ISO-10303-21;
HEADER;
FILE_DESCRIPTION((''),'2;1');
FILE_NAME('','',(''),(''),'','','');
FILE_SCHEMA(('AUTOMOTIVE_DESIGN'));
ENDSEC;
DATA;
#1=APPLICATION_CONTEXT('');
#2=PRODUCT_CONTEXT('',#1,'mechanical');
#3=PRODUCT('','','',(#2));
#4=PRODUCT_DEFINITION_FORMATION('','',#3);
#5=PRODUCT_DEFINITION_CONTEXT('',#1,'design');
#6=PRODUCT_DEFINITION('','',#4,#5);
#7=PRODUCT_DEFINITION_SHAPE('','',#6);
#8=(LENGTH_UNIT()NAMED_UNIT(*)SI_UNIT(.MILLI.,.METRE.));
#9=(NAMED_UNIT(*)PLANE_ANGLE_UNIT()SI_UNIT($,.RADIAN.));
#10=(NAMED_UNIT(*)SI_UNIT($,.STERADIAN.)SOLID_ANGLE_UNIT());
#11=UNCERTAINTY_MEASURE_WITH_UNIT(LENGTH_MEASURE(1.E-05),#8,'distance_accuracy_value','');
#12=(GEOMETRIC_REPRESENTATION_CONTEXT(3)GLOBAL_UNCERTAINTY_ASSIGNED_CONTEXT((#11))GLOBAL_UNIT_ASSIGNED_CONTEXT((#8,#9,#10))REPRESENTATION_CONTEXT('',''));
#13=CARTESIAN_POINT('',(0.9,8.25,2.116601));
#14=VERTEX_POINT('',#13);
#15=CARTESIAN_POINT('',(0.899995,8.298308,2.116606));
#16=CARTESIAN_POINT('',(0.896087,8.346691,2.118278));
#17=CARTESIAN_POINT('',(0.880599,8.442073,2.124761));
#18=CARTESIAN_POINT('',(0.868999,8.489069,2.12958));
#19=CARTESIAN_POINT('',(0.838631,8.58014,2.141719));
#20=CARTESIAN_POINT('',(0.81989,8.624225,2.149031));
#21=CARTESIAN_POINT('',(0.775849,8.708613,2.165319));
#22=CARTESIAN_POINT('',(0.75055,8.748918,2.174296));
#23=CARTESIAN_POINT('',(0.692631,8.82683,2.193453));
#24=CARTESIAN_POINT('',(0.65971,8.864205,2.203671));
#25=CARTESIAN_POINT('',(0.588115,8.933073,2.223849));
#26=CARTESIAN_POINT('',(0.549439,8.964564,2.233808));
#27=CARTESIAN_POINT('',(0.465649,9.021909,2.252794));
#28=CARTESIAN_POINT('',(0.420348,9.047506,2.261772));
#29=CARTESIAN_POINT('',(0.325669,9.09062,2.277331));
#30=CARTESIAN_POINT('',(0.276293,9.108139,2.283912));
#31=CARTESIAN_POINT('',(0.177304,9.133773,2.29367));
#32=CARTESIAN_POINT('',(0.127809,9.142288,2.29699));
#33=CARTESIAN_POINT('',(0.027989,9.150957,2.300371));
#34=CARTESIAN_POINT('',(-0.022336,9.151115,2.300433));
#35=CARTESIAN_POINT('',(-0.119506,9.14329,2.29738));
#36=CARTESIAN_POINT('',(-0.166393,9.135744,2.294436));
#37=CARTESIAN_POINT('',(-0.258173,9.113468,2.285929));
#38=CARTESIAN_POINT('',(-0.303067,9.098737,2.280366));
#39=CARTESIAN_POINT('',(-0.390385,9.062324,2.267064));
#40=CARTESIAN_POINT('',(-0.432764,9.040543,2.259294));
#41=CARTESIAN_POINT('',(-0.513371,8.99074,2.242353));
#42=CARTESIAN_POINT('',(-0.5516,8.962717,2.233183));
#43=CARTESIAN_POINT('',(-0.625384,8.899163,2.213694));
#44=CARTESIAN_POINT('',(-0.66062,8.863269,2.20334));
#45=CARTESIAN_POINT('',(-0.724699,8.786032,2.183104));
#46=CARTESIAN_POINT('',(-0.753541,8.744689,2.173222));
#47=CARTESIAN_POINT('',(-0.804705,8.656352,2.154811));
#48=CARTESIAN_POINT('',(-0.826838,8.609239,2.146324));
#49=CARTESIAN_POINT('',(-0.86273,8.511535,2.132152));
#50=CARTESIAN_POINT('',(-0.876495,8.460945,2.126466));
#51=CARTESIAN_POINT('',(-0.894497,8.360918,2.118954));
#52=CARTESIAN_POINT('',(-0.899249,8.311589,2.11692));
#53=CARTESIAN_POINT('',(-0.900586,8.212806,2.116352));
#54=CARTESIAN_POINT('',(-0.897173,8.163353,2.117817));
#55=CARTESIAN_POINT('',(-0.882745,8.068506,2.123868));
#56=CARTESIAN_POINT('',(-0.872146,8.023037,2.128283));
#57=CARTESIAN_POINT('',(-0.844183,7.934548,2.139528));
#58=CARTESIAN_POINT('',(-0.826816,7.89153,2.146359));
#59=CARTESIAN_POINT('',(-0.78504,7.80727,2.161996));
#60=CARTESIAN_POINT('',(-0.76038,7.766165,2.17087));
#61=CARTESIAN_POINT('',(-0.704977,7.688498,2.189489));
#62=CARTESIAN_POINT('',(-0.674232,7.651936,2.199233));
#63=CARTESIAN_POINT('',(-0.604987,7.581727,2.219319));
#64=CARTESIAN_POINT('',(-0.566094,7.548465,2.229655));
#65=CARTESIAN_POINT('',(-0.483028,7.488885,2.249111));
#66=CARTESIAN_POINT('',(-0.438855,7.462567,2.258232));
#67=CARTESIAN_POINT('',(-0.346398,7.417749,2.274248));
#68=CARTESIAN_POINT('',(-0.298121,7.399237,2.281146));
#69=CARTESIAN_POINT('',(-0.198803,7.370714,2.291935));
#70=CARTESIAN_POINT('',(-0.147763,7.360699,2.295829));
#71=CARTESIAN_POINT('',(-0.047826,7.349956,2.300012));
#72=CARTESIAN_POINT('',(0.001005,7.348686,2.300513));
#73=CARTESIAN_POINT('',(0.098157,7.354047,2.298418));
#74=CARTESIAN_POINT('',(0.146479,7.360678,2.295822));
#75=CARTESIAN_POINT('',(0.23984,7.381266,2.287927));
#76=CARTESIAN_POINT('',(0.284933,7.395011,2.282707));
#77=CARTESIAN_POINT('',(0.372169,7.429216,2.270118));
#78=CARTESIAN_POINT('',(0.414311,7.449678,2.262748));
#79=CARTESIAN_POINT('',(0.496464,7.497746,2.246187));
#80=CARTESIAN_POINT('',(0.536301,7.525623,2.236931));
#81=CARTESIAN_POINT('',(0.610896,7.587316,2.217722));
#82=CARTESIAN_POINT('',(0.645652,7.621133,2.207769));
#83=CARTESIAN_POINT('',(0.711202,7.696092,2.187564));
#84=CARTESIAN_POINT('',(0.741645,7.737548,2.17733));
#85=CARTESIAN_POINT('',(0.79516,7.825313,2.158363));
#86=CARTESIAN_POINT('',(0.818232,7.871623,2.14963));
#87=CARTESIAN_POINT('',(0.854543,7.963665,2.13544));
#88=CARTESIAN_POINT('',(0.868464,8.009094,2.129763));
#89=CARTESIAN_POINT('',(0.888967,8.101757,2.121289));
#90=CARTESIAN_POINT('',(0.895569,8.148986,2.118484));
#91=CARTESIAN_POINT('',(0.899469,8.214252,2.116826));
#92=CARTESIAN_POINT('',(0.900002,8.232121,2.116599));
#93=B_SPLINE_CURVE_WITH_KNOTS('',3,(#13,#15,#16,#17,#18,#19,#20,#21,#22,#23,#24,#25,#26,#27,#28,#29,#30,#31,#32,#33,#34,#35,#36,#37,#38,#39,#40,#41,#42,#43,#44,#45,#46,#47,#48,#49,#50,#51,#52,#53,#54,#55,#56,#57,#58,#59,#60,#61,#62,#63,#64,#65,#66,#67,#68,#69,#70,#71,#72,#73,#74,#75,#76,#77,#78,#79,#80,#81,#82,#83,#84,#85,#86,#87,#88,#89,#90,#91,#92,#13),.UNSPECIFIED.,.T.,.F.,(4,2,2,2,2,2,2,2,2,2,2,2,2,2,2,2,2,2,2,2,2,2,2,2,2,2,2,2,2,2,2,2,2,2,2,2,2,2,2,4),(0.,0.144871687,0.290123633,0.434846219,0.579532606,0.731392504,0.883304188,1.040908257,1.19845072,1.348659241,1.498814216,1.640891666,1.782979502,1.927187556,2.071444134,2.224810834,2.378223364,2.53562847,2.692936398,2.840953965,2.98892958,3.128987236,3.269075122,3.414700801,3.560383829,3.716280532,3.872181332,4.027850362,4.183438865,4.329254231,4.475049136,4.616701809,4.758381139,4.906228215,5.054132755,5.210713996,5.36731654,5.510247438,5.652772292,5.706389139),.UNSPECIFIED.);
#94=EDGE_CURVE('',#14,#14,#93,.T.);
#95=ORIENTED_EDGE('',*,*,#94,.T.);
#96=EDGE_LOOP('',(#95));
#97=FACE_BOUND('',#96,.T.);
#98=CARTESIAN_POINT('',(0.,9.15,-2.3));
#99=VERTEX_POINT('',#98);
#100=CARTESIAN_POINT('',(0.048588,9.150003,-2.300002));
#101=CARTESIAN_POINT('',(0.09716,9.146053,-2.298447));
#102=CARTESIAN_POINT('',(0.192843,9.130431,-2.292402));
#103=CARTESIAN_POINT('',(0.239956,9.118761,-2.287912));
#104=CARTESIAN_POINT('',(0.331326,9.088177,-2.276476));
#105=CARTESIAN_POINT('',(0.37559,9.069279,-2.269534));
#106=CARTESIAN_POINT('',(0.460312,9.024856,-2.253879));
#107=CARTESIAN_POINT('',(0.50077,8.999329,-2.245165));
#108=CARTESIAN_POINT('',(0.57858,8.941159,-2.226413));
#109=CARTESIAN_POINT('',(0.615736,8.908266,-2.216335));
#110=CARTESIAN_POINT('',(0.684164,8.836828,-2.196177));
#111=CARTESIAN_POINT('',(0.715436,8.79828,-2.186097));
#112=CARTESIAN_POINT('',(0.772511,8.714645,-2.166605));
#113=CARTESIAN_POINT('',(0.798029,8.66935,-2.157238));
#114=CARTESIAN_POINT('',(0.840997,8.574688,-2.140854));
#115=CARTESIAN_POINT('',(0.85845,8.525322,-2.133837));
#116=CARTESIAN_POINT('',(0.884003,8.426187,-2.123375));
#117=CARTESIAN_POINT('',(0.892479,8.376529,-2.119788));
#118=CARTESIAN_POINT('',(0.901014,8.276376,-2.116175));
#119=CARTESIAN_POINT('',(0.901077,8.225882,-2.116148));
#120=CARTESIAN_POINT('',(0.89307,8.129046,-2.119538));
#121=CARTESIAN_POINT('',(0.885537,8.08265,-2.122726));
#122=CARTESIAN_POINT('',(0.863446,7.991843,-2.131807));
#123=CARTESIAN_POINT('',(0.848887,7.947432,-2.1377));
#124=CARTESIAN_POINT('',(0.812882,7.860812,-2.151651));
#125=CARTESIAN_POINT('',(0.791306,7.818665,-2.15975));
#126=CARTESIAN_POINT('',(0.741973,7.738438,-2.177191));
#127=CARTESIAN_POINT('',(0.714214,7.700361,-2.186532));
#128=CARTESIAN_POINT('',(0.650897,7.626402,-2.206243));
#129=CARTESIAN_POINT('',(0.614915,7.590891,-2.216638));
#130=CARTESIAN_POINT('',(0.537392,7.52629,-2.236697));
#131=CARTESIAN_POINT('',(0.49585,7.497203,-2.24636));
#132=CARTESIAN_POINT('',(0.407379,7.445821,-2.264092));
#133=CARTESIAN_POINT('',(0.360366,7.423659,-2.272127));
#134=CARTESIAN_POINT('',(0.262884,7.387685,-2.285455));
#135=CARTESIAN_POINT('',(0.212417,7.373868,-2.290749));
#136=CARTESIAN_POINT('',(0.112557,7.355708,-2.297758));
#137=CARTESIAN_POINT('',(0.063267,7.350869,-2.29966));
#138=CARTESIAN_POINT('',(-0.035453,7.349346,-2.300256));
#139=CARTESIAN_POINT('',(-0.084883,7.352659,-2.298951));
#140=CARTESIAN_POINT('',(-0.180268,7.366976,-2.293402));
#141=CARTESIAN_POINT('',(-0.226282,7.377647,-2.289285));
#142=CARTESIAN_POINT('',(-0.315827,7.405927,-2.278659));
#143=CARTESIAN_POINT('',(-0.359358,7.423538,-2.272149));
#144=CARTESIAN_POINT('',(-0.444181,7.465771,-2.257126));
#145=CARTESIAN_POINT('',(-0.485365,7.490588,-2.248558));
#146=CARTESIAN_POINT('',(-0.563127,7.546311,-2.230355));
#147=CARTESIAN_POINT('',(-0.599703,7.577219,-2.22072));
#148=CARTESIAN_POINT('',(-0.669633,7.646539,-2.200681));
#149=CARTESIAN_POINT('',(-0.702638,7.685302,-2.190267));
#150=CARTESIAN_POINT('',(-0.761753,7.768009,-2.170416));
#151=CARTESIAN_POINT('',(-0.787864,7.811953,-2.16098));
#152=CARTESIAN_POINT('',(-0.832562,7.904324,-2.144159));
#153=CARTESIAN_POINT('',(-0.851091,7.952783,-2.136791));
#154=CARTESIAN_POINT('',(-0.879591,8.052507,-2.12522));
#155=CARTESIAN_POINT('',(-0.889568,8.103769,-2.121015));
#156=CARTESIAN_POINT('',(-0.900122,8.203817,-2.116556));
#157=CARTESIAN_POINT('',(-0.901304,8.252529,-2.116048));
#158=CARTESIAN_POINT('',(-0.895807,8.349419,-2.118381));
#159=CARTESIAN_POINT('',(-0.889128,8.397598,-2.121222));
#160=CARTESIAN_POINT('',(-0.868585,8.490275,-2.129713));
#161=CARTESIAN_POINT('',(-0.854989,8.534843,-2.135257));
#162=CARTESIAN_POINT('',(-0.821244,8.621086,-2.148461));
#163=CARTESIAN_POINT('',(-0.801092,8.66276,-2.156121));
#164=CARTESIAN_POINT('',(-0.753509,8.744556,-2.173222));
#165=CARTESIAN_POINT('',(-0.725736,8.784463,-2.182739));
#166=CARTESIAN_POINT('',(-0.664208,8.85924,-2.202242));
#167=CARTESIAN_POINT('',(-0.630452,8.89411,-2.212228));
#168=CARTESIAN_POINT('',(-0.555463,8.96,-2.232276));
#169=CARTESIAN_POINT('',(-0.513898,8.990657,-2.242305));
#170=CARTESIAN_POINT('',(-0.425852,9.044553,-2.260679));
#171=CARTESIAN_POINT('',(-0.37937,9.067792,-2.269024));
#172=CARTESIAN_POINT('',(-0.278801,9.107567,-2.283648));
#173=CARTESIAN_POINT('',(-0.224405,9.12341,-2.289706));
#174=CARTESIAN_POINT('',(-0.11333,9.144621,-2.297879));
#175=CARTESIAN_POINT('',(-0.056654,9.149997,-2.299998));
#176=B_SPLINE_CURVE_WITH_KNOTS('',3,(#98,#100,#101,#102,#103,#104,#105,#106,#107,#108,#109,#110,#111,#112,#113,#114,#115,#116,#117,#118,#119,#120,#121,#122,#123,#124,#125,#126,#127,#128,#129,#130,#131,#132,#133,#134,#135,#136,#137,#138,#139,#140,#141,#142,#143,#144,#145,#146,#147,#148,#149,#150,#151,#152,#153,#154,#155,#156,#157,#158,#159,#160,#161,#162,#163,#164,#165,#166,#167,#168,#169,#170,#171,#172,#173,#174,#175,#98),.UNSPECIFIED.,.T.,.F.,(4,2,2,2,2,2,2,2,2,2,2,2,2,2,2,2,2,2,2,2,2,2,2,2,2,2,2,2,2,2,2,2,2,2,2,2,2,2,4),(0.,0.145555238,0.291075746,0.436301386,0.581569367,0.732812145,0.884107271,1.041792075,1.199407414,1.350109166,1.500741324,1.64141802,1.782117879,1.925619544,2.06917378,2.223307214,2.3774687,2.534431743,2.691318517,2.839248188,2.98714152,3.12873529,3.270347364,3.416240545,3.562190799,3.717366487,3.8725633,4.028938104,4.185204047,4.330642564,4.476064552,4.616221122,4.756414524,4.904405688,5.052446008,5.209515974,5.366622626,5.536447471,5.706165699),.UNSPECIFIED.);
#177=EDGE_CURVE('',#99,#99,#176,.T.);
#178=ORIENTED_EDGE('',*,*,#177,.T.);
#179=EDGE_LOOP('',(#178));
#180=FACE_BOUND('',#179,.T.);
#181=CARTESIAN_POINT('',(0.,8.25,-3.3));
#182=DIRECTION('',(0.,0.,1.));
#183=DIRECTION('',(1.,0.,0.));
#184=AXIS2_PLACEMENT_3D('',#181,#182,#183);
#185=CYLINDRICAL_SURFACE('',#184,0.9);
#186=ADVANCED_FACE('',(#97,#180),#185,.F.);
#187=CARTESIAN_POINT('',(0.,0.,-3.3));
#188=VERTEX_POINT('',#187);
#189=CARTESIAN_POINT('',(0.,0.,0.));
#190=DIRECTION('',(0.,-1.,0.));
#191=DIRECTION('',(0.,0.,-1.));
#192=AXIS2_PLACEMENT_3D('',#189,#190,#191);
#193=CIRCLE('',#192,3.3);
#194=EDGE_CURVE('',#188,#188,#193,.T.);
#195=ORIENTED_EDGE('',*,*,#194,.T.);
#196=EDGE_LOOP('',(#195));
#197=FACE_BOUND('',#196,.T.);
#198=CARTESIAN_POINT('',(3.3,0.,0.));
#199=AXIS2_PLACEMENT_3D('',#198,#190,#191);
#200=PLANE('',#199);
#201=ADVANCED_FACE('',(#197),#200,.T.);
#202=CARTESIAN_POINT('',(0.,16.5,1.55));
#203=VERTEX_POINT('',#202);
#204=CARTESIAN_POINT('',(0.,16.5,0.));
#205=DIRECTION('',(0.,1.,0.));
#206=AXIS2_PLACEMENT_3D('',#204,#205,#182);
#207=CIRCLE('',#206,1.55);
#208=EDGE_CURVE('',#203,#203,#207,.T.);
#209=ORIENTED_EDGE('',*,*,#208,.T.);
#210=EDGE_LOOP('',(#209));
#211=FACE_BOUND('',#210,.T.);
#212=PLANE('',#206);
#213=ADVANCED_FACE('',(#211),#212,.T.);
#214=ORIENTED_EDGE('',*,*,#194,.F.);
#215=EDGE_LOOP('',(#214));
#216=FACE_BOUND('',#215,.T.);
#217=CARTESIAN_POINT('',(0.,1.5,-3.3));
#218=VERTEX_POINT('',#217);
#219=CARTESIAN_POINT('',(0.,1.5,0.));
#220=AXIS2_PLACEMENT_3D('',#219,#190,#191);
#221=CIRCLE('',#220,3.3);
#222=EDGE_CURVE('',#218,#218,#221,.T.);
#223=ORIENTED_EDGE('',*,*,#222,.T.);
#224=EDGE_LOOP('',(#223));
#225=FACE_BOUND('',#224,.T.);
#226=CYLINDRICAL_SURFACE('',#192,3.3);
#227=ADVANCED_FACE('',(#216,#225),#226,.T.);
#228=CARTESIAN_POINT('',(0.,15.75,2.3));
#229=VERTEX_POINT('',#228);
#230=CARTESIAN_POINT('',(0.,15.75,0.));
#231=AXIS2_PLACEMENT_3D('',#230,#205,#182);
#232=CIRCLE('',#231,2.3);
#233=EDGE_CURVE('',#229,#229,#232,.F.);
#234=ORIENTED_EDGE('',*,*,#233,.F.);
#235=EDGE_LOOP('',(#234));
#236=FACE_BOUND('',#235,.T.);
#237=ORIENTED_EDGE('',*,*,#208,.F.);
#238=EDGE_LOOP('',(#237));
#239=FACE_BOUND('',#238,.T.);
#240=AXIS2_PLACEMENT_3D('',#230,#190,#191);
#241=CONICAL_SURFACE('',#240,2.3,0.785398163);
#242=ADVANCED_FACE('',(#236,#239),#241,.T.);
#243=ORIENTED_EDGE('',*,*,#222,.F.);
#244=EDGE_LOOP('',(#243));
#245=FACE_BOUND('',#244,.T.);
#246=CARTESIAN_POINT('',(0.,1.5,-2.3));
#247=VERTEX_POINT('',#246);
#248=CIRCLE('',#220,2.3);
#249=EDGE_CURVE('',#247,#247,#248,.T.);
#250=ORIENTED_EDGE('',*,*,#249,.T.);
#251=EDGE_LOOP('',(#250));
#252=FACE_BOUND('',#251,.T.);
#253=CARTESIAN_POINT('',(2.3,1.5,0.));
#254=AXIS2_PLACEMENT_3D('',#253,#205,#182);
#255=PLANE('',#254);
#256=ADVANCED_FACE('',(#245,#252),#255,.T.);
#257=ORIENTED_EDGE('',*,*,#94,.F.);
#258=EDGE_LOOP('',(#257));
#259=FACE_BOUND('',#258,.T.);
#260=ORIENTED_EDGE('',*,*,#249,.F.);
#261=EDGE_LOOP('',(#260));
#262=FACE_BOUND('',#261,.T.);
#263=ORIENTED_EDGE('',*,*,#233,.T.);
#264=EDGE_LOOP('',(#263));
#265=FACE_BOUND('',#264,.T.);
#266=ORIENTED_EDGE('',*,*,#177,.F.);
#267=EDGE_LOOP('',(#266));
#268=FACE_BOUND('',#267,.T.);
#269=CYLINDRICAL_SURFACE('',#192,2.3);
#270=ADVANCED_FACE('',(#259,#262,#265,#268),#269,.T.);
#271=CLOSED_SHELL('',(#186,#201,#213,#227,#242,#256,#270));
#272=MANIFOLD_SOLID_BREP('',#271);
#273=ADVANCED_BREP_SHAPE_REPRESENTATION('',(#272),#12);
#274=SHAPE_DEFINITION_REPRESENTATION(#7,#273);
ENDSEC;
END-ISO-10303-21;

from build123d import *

# Parameters (mm, degrees)
CHAMFER1_SIZE           = 0.75
SKETCH2_R               = 0.9
CUT_EXTRUDE1_DEPTH      = 4.3
CUT_EXTRUDE1_DEPTH_BACK = 4.3


with BuildPart() as part:
    # Sketch1 → Revolve1 (revolve)
    with BuildSketch(Plane.XY):
        Polygon((0, 16.5), (2.3, 16.5), (2.3, 1.5), (3.3, 1.5), (3.3, 0), (0, 0), align=None)
    revolve(axis=Axis((0, 0, 0), (0, 1, 0)))

    # Chamfer1
    chamfer1_edges = [part.edges().sort_by_distance(p)[0] for p in [
        (-2.3, 16.5, 0),
    ]]
    chamfer(chamfer1_edges, length=CHAMFER1_SIZE)

    # Sketch2 → Cut-Extrude1 (cut, two sides)
    with BuildSketch(Plane.XY) as cut_extrude1_sk:
        with Locations((0, 8.25)):
            Circle(SKETCH2_R)
    extrude(amount=CUT_EXTRUDE1_DEPTH, mode=Mode.SUBTRACT)
    extrude(cut_extrude1_sk.sketch, amount=-CUT_EXTRUDE1_DEPTH_BACK, mode=Mode.SUBTRACT)


solid = part.part
